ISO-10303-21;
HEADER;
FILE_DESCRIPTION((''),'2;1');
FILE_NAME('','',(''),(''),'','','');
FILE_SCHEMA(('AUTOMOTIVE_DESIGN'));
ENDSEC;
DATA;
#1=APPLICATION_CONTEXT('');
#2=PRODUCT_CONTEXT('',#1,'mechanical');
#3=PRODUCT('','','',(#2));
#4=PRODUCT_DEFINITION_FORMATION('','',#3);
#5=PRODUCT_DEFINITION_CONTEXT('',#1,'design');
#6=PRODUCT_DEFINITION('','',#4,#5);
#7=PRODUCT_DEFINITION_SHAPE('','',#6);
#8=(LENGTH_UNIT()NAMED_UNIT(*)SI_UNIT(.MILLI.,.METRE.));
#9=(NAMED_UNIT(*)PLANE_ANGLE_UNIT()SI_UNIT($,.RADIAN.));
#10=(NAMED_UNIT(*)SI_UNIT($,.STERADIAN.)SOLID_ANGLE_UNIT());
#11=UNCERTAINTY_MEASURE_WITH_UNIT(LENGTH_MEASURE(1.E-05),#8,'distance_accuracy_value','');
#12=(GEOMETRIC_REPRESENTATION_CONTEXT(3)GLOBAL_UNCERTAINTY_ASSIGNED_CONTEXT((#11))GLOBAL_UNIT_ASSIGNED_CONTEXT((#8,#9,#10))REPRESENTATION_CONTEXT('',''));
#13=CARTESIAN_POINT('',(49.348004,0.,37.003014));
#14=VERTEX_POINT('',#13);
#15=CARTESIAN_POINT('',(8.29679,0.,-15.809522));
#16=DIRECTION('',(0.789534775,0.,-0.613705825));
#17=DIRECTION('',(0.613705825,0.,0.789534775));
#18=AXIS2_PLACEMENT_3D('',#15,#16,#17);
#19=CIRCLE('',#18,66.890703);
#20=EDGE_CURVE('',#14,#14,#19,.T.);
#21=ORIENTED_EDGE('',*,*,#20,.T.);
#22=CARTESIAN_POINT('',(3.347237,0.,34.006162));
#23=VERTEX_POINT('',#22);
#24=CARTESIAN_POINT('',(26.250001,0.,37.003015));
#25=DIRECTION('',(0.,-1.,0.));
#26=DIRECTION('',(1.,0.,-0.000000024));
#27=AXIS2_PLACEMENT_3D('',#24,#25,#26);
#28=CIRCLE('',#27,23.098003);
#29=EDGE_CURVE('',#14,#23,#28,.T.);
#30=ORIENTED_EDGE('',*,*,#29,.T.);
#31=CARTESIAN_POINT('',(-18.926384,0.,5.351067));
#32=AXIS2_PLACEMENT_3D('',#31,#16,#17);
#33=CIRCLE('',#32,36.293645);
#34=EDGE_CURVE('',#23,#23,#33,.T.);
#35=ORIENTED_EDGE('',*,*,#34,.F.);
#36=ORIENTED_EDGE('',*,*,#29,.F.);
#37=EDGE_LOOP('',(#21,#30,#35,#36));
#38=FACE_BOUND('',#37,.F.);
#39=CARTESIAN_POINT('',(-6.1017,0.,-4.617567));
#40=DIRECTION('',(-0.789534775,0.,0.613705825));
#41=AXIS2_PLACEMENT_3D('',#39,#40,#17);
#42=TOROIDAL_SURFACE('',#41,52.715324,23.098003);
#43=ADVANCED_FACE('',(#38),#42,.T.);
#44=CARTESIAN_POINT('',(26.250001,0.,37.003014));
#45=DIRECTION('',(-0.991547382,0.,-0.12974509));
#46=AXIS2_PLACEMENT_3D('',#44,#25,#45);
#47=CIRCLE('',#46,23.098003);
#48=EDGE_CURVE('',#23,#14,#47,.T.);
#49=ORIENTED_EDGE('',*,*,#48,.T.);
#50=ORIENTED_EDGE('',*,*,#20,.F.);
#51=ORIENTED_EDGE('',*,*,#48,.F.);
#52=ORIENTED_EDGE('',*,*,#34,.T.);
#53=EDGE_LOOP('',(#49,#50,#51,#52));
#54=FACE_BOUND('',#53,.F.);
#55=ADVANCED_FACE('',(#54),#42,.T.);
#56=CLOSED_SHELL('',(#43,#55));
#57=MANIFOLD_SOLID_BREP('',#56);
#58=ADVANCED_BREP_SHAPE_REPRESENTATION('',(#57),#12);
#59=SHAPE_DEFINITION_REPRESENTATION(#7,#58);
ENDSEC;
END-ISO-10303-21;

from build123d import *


with BuildPart() as f1:
    # F0 (on Front) → F1 (revolve)
    with BuildSketch(Plane.XZ):
        with BuildLine():
            ThreePointArc((3.347237, 34.006162), (27.751604, 13.953873), (49.348004, 37.003014))
            ThreePointArc((49.348004, 37.003014), (24.748398, 60.052156), (3.347237, 34.006162))
        make_face()
    revolve(axis=Axis((-10.004133, 0, -1.584204), (0.789535, 0, -0.613706)))


solid = f1.part
